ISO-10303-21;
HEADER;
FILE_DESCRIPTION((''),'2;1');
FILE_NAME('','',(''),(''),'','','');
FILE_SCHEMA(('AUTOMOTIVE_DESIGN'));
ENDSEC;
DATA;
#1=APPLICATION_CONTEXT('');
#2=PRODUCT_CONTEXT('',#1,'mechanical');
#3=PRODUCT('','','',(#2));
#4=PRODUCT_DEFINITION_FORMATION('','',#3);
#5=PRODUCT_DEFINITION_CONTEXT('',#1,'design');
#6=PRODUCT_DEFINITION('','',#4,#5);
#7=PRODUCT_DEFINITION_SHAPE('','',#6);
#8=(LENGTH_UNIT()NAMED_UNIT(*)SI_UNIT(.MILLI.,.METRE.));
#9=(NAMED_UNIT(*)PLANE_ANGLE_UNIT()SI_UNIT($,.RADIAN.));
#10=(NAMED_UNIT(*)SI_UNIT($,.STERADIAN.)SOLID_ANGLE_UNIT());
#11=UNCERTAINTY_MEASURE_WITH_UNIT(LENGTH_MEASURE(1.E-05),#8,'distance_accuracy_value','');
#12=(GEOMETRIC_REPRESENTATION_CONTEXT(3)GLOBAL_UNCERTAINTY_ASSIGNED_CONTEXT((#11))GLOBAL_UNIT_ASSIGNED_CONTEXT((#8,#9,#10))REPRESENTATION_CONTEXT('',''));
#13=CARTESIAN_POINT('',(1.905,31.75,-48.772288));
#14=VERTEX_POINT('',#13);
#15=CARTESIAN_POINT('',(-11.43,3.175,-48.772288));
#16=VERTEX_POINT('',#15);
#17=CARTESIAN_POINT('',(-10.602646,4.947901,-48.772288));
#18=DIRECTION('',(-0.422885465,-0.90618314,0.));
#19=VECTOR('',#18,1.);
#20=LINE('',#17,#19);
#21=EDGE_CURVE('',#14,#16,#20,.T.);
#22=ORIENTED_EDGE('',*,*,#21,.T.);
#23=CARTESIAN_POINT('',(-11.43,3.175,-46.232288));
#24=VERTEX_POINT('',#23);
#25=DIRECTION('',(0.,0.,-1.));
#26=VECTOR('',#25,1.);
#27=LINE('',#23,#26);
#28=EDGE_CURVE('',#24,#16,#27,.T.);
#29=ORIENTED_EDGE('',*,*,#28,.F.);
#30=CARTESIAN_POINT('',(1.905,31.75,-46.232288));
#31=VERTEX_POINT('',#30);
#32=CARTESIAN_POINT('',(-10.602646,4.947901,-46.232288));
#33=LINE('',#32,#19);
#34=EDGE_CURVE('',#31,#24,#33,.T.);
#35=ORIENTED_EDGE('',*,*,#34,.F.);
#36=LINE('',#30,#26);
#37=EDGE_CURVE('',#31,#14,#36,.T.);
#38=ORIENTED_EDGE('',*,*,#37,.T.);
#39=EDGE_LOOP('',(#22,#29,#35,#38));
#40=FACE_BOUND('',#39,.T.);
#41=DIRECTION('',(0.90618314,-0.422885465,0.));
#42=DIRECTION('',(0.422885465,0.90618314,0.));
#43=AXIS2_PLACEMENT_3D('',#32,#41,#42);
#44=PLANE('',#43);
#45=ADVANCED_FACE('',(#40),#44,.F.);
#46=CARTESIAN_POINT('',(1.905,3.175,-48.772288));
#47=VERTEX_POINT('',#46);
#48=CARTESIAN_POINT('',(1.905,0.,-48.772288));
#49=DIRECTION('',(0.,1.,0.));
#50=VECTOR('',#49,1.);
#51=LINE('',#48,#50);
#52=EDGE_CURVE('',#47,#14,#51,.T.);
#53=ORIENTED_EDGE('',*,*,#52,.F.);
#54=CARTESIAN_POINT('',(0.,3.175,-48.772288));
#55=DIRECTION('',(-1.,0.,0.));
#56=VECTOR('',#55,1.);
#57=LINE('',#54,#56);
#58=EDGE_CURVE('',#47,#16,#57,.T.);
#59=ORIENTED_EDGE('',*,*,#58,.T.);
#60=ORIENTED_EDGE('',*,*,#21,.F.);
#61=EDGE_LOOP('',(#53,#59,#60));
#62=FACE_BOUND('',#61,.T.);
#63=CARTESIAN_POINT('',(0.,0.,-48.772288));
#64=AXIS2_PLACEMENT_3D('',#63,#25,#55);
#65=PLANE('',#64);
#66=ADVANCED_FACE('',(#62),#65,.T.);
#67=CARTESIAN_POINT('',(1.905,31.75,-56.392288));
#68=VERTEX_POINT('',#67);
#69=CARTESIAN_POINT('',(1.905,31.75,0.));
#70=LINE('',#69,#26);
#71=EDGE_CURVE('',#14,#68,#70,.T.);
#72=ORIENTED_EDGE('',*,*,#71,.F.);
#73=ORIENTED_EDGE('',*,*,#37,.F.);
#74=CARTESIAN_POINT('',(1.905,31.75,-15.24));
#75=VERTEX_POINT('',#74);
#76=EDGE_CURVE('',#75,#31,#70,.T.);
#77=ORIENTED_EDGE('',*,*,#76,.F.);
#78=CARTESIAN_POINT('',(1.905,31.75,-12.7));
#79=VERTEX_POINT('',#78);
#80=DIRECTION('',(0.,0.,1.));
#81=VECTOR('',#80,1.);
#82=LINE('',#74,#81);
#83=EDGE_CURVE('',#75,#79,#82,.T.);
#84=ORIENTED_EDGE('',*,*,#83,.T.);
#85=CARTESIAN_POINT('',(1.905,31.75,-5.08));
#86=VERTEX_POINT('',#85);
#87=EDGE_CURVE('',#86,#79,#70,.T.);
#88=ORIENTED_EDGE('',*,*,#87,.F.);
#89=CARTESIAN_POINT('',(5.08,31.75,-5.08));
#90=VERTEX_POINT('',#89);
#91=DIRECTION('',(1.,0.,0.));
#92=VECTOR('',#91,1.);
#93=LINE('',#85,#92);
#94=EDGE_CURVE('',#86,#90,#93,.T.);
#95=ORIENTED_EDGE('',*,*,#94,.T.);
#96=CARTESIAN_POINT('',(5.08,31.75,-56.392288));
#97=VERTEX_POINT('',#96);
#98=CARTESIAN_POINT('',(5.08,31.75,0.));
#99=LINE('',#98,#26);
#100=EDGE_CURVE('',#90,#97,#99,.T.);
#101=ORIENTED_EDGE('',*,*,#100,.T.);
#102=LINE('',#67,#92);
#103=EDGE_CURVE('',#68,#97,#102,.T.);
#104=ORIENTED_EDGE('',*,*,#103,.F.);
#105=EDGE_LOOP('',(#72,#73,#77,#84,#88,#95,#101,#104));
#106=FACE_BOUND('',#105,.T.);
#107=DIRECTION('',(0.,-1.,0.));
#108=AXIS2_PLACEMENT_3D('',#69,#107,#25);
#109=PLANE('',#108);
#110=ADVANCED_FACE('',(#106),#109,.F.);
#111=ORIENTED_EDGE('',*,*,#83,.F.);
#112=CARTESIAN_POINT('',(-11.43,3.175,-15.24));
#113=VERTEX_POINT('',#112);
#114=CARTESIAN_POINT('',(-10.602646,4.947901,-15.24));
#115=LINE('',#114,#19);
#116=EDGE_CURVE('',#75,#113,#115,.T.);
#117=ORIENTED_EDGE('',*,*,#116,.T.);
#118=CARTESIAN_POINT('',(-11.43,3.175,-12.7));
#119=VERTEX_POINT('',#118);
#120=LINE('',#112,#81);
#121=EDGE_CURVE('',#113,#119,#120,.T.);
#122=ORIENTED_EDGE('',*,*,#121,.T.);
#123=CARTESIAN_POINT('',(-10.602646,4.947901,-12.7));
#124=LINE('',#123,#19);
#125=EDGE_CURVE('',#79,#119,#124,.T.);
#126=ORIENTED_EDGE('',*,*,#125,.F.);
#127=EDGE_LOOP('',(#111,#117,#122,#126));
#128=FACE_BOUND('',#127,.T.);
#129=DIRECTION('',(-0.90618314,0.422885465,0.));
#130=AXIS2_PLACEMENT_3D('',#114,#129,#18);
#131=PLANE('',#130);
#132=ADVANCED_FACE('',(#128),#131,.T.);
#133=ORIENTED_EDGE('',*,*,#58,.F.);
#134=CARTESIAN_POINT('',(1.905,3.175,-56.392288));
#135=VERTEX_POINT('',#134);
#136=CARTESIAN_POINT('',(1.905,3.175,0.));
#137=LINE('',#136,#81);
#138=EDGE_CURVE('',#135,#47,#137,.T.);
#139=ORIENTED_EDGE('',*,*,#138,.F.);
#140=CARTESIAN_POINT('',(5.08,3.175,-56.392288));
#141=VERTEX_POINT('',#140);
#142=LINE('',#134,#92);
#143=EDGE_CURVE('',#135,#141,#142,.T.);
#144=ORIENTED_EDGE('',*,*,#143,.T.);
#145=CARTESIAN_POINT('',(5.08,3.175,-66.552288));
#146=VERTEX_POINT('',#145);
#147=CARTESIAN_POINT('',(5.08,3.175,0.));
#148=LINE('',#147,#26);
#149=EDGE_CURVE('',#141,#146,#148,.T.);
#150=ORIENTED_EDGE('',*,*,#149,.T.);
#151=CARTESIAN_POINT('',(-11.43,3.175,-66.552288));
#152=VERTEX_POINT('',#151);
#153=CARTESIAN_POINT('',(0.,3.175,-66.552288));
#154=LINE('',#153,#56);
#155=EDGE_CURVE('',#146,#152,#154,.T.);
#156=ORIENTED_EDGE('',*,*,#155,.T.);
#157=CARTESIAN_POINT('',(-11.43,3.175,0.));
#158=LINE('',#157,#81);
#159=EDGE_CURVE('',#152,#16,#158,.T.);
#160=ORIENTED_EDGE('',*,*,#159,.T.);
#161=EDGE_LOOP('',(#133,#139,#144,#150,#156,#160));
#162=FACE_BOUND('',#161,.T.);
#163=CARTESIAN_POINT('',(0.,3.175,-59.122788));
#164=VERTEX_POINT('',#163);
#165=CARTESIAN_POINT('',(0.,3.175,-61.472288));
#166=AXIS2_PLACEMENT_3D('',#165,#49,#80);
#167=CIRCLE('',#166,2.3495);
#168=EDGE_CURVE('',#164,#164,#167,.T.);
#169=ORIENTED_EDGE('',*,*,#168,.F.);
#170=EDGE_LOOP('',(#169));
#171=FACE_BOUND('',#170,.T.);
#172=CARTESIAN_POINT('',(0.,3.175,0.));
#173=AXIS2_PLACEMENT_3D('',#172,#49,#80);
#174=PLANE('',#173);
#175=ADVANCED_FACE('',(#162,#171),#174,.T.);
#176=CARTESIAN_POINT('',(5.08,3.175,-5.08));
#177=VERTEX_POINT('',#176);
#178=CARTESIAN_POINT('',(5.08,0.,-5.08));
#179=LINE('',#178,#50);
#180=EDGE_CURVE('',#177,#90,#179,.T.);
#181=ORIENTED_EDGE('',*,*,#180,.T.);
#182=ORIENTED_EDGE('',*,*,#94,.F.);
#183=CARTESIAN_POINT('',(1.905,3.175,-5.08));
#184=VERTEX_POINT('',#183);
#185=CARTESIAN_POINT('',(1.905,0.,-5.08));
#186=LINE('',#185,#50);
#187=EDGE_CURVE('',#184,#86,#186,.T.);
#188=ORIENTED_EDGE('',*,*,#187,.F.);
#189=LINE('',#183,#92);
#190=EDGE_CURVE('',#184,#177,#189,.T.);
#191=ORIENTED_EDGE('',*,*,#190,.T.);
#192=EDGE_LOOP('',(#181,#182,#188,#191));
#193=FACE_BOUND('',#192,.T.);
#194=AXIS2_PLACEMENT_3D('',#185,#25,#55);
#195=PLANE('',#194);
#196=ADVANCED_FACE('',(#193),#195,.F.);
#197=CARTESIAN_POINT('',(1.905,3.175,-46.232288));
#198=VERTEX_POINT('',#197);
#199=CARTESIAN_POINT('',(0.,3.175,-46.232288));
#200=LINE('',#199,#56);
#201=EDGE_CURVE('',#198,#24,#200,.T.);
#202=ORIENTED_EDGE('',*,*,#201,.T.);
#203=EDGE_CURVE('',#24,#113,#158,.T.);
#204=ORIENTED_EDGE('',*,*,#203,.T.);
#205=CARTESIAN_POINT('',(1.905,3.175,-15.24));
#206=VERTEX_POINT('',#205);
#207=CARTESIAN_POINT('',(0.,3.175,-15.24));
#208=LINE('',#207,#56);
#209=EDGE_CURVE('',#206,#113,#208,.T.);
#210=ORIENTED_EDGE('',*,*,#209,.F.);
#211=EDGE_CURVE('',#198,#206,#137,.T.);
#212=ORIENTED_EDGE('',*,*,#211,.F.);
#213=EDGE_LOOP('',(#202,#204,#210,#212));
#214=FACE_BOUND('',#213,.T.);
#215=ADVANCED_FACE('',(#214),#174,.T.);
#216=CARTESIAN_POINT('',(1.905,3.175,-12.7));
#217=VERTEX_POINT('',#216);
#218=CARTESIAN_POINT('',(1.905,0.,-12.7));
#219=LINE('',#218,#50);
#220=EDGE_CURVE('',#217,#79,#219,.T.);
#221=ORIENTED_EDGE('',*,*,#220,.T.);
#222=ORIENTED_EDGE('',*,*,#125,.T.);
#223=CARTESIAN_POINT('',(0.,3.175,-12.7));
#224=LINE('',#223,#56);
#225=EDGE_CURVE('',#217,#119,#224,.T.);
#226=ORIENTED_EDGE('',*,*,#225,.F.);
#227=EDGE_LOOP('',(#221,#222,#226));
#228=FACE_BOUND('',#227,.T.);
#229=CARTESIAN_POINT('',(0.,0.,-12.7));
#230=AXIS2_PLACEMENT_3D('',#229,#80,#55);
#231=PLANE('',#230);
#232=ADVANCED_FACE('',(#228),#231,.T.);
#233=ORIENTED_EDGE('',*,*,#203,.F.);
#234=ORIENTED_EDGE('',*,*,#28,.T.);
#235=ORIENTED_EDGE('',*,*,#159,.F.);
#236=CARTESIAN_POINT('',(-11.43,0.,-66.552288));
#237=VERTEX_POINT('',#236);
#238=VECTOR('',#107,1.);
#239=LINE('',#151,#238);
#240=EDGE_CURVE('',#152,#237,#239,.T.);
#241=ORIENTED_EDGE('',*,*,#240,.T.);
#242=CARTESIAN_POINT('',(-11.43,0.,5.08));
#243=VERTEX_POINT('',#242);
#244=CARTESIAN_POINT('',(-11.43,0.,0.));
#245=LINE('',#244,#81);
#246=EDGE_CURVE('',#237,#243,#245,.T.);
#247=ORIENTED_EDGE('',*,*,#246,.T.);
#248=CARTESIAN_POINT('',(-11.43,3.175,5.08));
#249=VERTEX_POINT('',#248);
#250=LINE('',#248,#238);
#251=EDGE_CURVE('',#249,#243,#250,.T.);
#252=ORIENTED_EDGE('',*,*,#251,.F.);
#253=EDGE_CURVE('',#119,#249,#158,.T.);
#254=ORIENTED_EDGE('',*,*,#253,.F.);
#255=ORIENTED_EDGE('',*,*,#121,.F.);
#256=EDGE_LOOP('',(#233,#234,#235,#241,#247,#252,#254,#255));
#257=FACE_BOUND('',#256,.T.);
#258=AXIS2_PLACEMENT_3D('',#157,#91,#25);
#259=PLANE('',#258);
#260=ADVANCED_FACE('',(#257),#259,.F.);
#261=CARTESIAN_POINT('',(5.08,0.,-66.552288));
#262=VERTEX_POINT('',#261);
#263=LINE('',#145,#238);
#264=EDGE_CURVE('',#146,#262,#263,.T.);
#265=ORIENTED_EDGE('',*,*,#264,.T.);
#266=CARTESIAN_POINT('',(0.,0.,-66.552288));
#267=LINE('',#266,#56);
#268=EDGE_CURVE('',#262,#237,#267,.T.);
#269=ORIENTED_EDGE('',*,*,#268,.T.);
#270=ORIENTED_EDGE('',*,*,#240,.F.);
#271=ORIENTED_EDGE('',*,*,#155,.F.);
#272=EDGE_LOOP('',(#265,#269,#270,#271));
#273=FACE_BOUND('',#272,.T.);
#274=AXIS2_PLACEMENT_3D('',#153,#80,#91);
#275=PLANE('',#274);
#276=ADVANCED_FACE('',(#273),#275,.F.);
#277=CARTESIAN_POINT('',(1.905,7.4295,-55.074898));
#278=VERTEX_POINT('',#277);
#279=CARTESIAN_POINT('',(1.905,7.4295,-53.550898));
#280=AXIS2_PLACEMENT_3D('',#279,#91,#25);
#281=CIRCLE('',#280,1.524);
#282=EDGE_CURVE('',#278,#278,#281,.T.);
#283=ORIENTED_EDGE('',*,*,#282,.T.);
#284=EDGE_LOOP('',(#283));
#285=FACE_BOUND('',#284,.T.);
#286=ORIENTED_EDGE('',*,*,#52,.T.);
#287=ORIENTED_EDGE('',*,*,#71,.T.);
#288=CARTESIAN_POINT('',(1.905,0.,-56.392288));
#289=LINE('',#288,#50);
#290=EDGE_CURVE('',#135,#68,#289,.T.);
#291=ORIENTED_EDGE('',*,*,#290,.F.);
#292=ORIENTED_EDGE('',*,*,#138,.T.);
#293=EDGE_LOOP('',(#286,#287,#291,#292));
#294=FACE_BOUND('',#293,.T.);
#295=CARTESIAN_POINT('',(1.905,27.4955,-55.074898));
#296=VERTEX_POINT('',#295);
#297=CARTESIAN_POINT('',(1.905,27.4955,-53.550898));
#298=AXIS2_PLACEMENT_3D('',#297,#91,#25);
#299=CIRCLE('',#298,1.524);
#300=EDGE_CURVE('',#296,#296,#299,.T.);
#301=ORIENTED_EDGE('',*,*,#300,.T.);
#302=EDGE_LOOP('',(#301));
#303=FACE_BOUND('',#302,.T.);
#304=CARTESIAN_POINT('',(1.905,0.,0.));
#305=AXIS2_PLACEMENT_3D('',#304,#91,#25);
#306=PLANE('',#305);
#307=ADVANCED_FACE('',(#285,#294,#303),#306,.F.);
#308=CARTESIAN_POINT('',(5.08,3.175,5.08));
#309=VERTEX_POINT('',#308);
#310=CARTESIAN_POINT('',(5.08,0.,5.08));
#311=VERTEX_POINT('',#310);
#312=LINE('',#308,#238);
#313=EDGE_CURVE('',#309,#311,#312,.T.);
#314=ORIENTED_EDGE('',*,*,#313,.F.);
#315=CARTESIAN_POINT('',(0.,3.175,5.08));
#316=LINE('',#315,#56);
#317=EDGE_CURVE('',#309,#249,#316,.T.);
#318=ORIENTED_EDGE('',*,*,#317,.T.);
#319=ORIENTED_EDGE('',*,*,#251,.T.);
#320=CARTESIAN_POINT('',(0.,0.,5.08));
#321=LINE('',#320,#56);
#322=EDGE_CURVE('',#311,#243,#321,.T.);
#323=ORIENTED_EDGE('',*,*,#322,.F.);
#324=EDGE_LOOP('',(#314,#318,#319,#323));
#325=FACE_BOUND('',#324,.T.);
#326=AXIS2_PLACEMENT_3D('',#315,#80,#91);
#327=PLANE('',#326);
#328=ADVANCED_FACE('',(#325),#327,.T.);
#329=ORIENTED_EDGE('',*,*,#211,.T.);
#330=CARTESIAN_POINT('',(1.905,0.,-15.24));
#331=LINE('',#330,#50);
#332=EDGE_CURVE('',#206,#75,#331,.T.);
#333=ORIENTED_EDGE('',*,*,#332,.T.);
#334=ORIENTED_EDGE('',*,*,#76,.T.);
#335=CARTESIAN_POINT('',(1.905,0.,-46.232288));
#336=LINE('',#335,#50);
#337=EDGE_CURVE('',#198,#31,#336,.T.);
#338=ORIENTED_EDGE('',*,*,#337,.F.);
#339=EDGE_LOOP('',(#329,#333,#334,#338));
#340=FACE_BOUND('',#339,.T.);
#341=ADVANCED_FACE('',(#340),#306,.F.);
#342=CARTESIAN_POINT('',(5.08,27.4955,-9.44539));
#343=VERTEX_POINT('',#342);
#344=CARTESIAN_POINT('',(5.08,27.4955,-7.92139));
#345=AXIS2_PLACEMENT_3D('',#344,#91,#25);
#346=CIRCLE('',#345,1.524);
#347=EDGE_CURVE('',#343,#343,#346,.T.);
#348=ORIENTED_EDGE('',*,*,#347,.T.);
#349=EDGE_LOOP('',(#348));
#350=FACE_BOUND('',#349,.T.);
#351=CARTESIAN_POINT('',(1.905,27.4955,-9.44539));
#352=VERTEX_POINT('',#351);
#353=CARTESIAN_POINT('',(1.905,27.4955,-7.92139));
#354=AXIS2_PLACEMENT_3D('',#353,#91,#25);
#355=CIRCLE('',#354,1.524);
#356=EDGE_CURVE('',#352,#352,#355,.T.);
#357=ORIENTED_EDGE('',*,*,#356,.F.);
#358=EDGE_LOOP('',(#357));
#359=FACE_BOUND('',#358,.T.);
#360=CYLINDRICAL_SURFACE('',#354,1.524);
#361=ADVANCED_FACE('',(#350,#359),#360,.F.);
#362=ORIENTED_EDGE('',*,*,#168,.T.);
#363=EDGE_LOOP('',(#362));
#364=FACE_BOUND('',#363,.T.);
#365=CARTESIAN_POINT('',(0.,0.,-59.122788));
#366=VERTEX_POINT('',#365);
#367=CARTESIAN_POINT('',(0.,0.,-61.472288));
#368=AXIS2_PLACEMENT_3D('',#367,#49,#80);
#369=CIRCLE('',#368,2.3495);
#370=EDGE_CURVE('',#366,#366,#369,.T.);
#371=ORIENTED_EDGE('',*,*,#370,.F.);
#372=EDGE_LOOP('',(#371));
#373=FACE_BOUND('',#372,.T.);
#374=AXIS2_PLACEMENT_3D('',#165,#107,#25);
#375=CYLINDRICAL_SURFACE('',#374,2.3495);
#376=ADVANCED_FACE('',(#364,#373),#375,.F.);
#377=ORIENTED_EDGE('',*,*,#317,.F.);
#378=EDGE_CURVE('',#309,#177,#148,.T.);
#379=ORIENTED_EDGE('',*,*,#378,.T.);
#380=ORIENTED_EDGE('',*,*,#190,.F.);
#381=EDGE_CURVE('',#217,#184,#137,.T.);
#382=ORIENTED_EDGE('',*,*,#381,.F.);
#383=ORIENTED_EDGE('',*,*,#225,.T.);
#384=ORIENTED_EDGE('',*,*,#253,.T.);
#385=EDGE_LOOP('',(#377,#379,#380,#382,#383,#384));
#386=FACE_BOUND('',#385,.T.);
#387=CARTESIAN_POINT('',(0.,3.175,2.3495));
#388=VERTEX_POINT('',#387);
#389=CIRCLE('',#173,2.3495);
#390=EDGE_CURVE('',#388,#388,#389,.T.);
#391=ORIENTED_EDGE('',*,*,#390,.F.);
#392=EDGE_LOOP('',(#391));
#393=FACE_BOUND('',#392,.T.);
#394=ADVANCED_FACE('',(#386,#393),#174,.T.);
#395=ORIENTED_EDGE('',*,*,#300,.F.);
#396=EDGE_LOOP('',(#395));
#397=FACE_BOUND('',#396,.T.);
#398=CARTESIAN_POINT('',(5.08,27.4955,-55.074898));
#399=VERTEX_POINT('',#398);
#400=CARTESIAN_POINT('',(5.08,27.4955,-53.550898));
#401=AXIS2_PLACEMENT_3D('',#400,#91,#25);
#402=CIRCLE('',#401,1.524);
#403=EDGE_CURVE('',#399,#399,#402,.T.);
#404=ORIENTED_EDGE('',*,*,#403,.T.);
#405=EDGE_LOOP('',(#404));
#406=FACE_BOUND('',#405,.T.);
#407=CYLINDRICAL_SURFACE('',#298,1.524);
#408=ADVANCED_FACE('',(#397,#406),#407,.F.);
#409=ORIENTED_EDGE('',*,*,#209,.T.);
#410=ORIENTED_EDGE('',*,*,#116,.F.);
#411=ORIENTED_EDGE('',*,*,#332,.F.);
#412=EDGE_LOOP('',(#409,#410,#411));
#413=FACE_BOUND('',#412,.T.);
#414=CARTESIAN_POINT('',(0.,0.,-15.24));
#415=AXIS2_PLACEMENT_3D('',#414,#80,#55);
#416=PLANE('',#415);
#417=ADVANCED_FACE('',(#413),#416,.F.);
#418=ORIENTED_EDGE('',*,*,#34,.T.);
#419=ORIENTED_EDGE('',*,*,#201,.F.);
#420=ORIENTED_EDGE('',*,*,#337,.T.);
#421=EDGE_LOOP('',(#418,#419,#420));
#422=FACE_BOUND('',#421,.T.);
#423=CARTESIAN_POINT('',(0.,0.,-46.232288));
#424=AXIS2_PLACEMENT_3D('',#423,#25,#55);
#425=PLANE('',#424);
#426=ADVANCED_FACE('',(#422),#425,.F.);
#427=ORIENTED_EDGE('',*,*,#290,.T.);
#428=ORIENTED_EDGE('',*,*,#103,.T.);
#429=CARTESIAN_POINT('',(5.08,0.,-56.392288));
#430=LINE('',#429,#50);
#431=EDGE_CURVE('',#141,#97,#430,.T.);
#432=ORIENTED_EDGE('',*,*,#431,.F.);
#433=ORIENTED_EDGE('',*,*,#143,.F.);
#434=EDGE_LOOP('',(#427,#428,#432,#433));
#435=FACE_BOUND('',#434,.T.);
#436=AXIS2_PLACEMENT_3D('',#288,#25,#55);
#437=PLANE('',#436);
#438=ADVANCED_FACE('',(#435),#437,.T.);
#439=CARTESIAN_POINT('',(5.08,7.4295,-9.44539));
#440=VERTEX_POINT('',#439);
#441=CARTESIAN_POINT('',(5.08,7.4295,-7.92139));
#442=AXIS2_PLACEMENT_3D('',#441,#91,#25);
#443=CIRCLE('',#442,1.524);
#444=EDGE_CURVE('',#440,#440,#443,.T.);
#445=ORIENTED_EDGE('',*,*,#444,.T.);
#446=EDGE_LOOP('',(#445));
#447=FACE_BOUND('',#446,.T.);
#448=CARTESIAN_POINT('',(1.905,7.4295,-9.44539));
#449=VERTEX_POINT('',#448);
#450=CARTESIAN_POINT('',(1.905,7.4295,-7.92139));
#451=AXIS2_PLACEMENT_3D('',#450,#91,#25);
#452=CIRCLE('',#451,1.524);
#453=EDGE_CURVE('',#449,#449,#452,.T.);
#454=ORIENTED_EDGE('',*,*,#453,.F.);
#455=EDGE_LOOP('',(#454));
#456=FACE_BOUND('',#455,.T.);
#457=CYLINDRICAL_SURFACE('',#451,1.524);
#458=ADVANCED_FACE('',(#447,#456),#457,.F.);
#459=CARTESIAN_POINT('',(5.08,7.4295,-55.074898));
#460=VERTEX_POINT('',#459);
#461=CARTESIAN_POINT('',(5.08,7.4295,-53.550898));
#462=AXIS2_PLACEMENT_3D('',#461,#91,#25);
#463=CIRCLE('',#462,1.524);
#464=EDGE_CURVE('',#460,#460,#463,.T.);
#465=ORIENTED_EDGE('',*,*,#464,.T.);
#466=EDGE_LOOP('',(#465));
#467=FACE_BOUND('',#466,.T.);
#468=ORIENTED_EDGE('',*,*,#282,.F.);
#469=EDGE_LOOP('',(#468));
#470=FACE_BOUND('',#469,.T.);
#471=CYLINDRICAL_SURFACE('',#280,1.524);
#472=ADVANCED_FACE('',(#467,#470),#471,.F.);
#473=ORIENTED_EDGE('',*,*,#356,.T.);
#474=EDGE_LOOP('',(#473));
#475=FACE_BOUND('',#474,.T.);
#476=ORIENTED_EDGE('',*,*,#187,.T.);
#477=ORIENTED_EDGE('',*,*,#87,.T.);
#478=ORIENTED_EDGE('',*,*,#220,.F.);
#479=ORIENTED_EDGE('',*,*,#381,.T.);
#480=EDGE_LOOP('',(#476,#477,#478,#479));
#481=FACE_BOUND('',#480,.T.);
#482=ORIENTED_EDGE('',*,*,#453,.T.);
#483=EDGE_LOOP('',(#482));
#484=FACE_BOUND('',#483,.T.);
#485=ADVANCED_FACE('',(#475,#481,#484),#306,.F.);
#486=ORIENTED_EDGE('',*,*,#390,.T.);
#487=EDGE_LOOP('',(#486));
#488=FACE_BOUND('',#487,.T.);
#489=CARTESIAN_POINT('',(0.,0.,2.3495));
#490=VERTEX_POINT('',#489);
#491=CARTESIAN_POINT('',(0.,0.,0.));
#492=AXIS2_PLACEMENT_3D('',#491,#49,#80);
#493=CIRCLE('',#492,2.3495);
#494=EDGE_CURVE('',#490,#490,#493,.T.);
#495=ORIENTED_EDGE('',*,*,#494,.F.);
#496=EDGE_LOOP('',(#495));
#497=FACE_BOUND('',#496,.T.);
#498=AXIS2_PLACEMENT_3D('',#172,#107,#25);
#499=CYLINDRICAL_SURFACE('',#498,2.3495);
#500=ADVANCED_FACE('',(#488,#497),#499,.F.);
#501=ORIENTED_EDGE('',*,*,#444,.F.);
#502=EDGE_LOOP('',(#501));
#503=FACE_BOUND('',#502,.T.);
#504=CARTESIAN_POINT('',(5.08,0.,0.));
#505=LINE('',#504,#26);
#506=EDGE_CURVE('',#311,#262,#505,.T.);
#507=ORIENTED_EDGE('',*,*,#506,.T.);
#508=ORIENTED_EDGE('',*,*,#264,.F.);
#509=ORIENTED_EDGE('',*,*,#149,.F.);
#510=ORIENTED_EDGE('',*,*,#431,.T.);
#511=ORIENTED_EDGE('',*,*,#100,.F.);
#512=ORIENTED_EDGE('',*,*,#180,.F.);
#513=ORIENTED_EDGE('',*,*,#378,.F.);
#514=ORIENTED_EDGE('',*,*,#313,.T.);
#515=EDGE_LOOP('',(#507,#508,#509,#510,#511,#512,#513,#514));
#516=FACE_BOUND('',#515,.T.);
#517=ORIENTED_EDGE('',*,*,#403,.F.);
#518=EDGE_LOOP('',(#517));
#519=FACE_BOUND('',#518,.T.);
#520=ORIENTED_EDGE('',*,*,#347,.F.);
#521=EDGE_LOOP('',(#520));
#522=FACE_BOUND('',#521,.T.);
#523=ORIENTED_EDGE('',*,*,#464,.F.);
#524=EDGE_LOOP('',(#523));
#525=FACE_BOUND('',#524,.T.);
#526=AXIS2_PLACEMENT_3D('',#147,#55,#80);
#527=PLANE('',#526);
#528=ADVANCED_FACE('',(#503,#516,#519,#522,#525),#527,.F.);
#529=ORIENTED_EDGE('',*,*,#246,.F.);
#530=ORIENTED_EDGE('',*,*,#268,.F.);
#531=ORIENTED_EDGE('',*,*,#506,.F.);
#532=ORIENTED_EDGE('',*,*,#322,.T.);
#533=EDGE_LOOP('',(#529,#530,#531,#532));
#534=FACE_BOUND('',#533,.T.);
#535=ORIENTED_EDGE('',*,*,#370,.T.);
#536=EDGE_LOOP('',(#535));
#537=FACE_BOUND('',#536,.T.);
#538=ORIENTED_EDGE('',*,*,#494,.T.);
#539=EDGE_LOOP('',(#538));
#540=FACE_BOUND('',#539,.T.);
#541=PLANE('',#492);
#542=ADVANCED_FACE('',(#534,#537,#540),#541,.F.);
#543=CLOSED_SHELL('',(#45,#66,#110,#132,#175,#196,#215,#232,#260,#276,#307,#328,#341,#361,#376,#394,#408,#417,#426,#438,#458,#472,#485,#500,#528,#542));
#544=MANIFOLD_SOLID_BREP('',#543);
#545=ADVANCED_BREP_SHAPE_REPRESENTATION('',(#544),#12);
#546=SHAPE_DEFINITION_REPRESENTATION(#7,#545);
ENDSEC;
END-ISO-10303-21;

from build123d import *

# Parameters (mm, degrees)
SKETCH1_W           = 16.51
SKETCH1_H           = 71.632288028
SKETCH1_R           = 2.3495
BOSS_EXTRUDE1_DEPTH = 3.175
SKETCH2_W           = 51.312288028
SKETCH2_H           = 28.575
SKETCH2_R           = 1.524
BOSS_EXTRUDE2_DEPTH = 3.175
BOSS_EXTRUDE3_DEPTH = 2.54


with BuildPart() as part:
    # Sketch1 → Boss-Extrude1 (new body)
    with BuildSketch(Plane(origin=(0, 0, 0), x_dir=(1, 0, 0), z_dir=(0, 1, 0))):
        with Locations((-3.175, 30.736144014)):
            Rectangle(SKETCH1_W, SKETCH1_H)
        with Locations(Location((0, 61.472288028, 0), (0, 0, 270))):
            Circle(SKETCH1_R, mode=Mode.SUBTRACT)
        with Locations(Location((0, 0, 0), (0, 0, 270))):
            Circle(SKETCH1_R, mode=Mode.SUBTRACT)
    extrude(amount=BOSS_EXTRUDE1_DEPTH)

    # Sketch2 → Boss-Extrude2 (add)
    with BuildSketch(Plane(origin=(5.08, 0, 0), x_dir=(0, 0, -1), z_dir=(1, 0, 0))):
        with Locations((30.736144014, 17.4625)):
            Rectangle(SKETCH2_W, SKETCH2_H)
        with Locations((7.921390431, 7.4295)):
            Circle(SKETCH2_R, mode=Mode.SUBTRACT)
        with Locations((53.550897597, 7.4295)):
            Circle(SKETCH2_R, mode=Mode.SUBTRACT)
        with Locations((7.921390431, 27.4955)):
            Circle(SKETCH2_R, mode=Mode.SUBTRACT)
        with Locations((53.550897597, 27.4955)):
            Circle(SKETCH2_R, mode=Mode.SUBTRACT)
    extrude(amount=-BOSS_EXTRUDE2_DEPTH)

    # Sketch3 → Boss-Extrude3 (add)
    with BuildSketch(Plane(origin=(0, 0, -48.772288028), x_dir=(-1, 0, 0), z_dir=(0, 0, -1))):
        Polygon((-1.905, 31.75), (-1.905, 3.175), (11.43, 3.175), align=None)
    boss_extrude3 = extrude(amount=-BOSS_EXTRUDE3_DEPTH)

    # Mirror1: Boss-Extrude3 across plane
    add(boss_extrude3.mirror(Plane.XY.offset(-30.736144014)))


solid = part.part
